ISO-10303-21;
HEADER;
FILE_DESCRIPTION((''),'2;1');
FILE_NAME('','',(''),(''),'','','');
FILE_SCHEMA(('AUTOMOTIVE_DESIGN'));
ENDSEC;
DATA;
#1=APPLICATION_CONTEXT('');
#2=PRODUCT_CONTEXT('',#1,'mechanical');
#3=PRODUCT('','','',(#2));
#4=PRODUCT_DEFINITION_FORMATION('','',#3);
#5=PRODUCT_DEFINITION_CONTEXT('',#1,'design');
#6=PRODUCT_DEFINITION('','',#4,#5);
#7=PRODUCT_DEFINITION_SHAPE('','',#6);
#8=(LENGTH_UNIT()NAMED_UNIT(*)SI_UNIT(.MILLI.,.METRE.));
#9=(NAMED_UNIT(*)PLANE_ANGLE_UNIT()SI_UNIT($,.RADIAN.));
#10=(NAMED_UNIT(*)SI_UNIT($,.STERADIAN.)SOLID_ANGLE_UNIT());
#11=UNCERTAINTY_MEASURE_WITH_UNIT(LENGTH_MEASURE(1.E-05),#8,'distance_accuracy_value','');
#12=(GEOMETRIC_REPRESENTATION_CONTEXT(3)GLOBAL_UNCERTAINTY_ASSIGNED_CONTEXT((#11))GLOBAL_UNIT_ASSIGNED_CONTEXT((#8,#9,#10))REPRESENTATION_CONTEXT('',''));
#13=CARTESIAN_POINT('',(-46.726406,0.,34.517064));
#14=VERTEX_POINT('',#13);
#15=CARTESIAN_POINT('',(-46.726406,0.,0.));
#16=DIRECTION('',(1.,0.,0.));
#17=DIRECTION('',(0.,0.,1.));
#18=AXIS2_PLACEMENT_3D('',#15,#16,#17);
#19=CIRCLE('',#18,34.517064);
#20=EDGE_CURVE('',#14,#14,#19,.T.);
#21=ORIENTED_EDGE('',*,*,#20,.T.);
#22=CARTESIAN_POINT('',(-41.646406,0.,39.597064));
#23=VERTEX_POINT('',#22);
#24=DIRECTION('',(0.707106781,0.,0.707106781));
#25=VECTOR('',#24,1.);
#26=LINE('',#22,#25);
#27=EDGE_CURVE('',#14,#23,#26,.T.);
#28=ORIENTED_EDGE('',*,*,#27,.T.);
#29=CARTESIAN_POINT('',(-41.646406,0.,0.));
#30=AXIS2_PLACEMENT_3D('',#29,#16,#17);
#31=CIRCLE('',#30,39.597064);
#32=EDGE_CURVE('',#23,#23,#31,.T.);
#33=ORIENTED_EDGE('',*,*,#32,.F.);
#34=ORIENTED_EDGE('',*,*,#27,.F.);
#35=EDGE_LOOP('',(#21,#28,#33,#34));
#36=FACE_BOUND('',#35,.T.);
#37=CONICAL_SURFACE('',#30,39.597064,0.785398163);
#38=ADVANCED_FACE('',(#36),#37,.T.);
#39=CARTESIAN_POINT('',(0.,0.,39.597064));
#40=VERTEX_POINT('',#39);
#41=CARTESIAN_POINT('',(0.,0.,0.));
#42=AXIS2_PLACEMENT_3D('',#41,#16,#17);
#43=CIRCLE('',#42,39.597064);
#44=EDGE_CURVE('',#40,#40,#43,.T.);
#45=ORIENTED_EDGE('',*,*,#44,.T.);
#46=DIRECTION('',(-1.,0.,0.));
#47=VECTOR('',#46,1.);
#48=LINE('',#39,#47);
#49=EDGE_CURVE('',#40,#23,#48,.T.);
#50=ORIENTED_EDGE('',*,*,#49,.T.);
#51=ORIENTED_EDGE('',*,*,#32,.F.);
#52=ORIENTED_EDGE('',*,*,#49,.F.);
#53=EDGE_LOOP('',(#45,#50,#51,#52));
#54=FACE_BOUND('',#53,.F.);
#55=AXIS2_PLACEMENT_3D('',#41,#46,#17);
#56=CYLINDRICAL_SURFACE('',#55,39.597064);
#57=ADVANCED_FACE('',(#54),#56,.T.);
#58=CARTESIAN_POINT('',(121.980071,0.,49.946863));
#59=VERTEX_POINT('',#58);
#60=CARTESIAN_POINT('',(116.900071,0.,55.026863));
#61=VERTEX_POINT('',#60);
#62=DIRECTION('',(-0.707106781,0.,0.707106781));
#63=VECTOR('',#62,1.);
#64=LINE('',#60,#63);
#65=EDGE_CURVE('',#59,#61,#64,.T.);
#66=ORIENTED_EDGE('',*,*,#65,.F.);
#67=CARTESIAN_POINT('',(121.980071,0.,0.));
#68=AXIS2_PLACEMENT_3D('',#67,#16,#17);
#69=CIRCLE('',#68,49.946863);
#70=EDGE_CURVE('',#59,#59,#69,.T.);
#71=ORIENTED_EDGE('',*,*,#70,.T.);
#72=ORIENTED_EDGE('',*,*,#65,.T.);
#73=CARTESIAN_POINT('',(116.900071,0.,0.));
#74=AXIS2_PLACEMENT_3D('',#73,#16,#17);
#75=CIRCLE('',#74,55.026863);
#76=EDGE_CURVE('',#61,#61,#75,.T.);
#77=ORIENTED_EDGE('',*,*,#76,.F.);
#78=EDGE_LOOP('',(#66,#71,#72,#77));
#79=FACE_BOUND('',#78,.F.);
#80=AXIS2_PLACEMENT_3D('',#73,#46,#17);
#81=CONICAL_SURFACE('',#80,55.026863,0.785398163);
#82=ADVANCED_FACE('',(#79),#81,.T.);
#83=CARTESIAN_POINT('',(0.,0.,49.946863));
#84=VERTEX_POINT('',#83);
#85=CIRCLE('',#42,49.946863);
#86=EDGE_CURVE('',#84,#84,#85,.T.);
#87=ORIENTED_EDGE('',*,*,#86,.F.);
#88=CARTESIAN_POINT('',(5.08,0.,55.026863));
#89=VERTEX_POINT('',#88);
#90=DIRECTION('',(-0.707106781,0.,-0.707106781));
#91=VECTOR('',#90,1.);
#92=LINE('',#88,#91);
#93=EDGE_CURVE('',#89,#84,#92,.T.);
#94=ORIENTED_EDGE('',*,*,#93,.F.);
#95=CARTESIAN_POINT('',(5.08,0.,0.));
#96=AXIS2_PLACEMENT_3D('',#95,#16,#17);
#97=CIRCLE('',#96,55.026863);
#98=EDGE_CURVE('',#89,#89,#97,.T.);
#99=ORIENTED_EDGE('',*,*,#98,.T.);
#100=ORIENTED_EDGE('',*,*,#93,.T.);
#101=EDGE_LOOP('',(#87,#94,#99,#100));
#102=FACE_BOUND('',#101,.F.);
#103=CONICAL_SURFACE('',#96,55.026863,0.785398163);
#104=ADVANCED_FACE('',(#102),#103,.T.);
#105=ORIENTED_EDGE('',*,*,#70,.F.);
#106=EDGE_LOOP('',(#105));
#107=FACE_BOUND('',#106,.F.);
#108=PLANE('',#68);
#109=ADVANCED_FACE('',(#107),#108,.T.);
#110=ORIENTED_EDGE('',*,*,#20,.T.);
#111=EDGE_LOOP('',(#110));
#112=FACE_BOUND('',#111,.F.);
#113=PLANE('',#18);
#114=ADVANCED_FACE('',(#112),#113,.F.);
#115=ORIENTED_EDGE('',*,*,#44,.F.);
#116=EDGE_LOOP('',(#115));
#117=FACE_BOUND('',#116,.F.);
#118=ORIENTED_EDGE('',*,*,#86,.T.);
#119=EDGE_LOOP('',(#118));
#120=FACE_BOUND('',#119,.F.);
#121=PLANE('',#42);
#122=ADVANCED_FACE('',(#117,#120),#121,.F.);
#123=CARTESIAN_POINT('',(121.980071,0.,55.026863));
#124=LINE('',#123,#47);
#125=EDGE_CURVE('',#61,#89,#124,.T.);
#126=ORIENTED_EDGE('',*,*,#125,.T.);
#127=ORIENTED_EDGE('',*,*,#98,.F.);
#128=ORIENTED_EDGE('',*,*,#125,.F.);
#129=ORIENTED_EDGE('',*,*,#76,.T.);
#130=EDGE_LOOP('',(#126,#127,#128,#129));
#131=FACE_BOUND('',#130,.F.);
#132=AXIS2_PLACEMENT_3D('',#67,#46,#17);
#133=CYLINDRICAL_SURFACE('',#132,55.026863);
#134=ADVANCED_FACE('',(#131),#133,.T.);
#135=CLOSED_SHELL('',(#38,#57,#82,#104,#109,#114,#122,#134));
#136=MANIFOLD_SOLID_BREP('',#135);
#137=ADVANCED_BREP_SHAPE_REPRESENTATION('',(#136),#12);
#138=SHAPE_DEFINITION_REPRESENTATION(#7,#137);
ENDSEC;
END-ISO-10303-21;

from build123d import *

# Parameters (mm, degrees)
F2_SIZE = 5.08


with BuildPart() as f1:
    # F0 (on Front) → F1 (revolve)
    with BuildSketch(Plane.XZ):
        Polygon((-46.726406, 39.597064), (-46.726406, 0), (121.980071, 0), (121.980071, 55.026863), (0, 55.026863), (0, 39.597064), align=None)
    revolve(axis=Axis((37.626833, 0, 0), (1, 0, 0)))

    # F2
    f2_edges = [f1.edges().sort_by_distance(p)[0] for p in [
        (-46.726406, 0, -39.597064),
        (0, 0, -55.026863),
        (121.980071, 0, -55.026863),
    ]]
    chamfer(f2_edges, length=F2_SIZE)


solid = f1.part
